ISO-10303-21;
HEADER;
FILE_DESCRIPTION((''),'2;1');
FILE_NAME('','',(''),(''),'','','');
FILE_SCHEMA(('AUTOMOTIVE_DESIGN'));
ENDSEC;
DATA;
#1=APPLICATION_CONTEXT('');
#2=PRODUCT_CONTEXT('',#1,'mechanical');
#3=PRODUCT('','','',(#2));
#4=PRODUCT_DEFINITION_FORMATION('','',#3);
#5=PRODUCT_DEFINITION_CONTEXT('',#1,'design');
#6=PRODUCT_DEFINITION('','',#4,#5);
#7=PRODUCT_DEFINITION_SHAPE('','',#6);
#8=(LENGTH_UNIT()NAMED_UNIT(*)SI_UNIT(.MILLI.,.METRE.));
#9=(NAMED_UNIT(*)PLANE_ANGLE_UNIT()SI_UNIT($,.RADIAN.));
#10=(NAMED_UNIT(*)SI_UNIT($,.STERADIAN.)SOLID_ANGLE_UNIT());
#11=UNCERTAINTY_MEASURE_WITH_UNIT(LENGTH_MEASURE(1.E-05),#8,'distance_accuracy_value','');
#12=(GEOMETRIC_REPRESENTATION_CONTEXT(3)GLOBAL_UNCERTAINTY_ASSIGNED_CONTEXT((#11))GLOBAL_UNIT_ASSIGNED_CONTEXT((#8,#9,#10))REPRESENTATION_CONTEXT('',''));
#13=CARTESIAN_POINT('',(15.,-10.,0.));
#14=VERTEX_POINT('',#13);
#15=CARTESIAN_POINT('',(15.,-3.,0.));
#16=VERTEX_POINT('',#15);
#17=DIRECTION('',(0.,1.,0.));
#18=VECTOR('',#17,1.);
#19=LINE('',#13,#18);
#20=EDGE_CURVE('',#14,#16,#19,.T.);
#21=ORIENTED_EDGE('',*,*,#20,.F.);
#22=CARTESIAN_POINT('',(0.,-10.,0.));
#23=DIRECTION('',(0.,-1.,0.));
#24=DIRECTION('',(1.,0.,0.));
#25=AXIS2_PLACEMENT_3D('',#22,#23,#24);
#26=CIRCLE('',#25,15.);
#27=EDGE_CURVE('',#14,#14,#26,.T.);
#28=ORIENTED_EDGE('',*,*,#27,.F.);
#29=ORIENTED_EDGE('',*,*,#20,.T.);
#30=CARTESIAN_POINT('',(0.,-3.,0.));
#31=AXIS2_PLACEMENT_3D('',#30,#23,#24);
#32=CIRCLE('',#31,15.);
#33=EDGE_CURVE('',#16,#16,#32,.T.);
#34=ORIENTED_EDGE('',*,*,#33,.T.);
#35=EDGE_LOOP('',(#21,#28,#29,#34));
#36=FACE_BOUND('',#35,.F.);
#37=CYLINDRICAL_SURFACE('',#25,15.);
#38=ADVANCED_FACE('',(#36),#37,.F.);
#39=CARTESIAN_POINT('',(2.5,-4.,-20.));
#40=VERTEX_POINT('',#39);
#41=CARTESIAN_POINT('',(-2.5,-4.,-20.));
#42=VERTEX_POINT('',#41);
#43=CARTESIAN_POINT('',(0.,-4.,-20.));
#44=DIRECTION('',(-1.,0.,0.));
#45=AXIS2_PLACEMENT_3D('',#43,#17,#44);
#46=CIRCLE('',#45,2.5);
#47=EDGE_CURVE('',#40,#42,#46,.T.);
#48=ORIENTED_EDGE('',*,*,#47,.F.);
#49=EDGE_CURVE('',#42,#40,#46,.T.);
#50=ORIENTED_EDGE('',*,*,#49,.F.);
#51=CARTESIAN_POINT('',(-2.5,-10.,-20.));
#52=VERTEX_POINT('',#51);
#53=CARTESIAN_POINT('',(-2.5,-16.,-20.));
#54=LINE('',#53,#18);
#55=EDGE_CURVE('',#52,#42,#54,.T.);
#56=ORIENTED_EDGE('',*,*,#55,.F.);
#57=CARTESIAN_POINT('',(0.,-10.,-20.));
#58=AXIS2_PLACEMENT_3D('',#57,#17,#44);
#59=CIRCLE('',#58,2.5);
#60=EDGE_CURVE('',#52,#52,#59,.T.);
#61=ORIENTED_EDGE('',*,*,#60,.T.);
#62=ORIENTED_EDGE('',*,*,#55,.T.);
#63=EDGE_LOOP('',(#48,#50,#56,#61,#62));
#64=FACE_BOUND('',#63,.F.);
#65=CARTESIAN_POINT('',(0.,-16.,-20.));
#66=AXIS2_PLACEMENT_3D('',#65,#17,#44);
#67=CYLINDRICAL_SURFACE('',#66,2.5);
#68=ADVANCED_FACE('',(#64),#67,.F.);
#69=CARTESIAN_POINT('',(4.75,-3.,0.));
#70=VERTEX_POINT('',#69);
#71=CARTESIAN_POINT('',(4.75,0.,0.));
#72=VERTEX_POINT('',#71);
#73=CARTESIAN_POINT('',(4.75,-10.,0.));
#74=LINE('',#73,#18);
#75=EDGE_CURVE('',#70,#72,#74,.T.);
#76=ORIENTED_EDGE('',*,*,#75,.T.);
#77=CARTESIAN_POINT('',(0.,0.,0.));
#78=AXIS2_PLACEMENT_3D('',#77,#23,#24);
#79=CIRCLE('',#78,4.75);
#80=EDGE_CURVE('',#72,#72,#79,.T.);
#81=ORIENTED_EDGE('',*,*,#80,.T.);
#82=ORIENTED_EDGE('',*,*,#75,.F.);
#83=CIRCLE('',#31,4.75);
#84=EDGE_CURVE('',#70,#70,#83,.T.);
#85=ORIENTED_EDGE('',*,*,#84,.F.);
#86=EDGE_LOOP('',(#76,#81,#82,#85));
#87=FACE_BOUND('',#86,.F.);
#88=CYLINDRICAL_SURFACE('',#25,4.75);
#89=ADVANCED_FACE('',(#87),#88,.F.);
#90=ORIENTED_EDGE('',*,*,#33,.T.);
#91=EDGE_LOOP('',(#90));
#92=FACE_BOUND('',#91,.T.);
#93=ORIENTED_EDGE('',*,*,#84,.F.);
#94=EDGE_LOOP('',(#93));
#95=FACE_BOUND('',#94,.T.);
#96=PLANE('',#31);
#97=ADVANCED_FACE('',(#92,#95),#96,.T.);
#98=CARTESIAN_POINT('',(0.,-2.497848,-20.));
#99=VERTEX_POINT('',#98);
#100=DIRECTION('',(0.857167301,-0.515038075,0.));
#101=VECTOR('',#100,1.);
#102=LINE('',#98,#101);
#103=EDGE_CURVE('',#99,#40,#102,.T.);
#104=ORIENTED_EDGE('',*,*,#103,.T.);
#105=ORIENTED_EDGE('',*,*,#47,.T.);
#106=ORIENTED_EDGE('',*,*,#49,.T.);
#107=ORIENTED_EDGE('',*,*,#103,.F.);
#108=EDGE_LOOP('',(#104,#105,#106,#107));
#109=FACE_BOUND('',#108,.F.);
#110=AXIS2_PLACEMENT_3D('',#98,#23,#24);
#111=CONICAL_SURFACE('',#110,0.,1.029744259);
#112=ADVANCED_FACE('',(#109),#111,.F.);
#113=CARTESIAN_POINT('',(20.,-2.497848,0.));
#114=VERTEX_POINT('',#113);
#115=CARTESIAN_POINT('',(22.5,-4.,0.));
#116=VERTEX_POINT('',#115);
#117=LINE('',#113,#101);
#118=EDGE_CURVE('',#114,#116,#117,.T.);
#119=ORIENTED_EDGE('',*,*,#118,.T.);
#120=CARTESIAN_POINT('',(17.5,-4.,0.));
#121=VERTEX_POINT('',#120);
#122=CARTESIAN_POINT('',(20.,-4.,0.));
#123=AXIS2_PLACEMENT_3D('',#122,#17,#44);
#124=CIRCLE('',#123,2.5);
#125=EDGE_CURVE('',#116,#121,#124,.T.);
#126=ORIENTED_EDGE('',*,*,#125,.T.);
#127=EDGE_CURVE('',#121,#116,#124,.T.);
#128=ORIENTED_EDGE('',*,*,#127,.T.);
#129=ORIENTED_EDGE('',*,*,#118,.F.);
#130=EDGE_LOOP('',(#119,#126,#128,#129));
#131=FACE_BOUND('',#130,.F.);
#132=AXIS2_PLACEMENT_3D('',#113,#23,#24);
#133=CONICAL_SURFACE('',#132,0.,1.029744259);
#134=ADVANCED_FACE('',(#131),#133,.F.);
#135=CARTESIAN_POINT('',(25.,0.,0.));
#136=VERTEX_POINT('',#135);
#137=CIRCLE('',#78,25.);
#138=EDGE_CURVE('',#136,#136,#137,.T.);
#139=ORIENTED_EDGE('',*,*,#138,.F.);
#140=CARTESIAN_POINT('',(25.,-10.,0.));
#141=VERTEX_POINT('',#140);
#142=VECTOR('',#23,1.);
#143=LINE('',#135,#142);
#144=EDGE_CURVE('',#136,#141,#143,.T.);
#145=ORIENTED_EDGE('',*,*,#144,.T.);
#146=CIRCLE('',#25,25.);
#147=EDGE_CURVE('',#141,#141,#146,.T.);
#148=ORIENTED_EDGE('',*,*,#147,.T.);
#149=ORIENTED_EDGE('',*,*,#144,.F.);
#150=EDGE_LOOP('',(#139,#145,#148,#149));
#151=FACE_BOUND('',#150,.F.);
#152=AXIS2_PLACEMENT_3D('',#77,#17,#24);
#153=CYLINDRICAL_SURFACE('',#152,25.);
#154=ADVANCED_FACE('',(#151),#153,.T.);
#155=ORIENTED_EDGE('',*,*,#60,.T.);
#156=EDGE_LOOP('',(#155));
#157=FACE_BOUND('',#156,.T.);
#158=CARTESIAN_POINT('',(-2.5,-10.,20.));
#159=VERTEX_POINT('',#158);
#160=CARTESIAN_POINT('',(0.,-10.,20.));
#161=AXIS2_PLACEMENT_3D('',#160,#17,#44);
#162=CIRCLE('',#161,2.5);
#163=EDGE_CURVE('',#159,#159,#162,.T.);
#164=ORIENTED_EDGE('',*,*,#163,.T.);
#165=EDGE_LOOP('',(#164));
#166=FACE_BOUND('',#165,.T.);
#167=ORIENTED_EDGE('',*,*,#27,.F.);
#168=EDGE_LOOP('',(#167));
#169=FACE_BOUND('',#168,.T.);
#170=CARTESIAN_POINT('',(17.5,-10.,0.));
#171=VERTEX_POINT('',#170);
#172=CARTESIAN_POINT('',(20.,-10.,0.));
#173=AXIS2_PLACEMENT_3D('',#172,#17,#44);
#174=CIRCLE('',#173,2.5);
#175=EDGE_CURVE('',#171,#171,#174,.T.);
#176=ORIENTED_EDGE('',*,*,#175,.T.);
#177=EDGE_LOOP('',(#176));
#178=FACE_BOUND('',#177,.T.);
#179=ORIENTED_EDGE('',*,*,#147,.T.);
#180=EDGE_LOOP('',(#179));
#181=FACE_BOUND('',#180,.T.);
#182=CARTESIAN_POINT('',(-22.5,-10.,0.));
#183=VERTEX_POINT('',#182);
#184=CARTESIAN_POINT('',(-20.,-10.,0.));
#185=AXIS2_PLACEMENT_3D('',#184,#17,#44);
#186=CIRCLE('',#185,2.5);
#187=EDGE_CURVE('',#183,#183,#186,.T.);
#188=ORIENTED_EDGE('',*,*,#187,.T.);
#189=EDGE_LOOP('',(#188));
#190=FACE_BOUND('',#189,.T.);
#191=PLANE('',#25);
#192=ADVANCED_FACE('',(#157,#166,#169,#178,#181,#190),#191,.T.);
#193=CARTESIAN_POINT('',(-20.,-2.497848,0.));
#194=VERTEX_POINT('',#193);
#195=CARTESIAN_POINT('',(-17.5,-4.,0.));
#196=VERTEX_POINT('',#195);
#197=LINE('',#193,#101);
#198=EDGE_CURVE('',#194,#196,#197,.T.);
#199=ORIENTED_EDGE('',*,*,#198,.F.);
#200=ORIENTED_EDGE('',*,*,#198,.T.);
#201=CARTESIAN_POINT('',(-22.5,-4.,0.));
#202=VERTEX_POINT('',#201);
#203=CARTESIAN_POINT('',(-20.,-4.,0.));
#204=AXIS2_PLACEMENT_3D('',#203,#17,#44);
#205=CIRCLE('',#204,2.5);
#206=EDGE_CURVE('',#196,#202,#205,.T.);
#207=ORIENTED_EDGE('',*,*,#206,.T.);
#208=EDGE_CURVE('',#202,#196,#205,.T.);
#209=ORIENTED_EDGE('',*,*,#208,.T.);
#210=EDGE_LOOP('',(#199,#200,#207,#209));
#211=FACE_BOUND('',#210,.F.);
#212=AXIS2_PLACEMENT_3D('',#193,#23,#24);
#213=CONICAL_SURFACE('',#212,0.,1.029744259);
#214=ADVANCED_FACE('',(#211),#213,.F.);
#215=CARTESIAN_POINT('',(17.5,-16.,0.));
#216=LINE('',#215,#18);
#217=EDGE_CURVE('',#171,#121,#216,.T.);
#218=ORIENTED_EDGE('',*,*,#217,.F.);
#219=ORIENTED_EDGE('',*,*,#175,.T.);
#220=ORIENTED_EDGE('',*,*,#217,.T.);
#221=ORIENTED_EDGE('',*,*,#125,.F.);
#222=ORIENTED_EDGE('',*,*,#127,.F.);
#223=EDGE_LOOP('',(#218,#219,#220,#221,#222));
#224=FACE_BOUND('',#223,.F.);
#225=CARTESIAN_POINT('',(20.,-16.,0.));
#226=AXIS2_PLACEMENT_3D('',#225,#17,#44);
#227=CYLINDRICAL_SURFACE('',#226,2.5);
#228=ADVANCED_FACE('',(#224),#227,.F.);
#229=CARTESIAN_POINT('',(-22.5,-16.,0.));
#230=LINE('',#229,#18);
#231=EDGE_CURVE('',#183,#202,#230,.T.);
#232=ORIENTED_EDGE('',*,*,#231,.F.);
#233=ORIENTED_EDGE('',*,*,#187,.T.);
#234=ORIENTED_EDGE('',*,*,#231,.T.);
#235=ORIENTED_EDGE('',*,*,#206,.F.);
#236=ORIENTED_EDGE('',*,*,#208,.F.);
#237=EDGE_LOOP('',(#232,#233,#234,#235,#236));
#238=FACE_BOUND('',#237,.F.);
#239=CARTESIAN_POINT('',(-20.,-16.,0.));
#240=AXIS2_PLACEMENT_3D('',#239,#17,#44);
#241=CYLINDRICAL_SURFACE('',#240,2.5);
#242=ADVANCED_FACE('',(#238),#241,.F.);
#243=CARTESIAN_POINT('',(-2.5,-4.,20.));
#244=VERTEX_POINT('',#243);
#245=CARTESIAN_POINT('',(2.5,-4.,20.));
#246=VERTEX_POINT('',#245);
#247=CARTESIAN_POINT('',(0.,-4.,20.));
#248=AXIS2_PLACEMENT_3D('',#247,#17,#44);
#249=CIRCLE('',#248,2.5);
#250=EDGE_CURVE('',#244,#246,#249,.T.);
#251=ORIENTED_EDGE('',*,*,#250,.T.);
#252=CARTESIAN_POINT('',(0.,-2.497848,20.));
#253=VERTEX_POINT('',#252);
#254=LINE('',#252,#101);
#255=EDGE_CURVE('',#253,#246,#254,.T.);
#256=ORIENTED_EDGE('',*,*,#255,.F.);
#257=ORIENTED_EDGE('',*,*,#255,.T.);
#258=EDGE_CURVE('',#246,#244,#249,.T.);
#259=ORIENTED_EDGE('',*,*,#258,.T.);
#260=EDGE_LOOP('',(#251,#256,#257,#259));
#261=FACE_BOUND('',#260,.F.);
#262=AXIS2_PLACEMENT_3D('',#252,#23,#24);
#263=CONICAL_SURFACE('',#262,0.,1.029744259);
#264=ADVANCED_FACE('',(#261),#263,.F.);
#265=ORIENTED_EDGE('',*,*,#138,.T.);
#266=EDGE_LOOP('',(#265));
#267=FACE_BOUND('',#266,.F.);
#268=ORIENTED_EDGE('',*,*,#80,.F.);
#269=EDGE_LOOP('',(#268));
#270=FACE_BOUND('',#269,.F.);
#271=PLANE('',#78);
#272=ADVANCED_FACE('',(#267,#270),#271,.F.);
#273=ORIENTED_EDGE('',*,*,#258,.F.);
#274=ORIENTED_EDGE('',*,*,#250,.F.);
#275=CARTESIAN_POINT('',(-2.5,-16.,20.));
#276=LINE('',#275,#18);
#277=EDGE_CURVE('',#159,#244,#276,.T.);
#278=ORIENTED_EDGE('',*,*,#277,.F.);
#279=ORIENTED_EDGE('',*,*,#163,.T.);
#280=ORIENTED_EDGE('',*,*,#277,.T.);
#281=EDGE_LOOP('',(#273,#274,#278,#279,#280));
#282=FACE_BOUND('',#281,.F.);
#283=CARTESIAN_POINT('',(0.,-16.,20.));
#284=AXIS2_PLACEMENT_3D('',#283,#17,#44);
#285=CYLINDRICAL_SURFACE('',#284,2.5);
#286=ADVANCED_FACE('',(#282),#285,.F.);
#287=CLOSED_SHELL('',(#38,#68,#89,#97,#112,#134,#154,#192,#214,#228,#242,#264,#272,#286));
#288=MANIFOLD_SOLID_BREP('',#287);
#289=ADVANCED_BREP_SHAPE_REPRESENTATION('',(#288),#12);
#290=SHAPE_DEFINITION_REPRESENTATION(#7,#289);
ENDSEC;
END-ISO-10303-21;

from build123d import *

# Parameters (mm, degrees)
F0_R     = 25
F1_DEPTH = 10
F2_R     = 4.75
F3_DEPTH = 25
F4_R     = 15
F5_DEPTH = 7
F7_D     = 5
F7_DEPTH = 6
F7_TIP   = 1.5021515476


with BuildPart() as f1:
    # F0 (on Front) → F1 (new body)
    with BuildSketch(Plane.XZ):
        Circle(F0_R)
    extrude(amount=F1_DEPTH)

    # F2 (on face) → F3 (cut)
    with BuildSketch(Plane.XZ.offset(10)):
        Circle(F2_R)
    extrude(amount=-F3_DEPTH, mode=Mode.SUBTRACT)

    # F4 (on face) → F5 (cut)
    with BuildSketch(Plane.XZ.offset(10)):
        Circle(F4_R)
    extrude(amount=-F5_DEPTH, mode=Mode.SUBTRACT)

    # F7
    with Locations(Plane.XZ.offset(10)):
        with Locations((0, 20), (20, 0), (0, -20), (-20, 0)):
            Hole(F7_D / 2, depth=F7_DEPTH)
            with Locations((0, 0, -(F7_DEPTH + F7_TIP / 2))):  # 118° drill point
                Cone(0, F7_D / 2, F7_TIP, mode=Mode.SUBTRACT)


solid = f1.part
